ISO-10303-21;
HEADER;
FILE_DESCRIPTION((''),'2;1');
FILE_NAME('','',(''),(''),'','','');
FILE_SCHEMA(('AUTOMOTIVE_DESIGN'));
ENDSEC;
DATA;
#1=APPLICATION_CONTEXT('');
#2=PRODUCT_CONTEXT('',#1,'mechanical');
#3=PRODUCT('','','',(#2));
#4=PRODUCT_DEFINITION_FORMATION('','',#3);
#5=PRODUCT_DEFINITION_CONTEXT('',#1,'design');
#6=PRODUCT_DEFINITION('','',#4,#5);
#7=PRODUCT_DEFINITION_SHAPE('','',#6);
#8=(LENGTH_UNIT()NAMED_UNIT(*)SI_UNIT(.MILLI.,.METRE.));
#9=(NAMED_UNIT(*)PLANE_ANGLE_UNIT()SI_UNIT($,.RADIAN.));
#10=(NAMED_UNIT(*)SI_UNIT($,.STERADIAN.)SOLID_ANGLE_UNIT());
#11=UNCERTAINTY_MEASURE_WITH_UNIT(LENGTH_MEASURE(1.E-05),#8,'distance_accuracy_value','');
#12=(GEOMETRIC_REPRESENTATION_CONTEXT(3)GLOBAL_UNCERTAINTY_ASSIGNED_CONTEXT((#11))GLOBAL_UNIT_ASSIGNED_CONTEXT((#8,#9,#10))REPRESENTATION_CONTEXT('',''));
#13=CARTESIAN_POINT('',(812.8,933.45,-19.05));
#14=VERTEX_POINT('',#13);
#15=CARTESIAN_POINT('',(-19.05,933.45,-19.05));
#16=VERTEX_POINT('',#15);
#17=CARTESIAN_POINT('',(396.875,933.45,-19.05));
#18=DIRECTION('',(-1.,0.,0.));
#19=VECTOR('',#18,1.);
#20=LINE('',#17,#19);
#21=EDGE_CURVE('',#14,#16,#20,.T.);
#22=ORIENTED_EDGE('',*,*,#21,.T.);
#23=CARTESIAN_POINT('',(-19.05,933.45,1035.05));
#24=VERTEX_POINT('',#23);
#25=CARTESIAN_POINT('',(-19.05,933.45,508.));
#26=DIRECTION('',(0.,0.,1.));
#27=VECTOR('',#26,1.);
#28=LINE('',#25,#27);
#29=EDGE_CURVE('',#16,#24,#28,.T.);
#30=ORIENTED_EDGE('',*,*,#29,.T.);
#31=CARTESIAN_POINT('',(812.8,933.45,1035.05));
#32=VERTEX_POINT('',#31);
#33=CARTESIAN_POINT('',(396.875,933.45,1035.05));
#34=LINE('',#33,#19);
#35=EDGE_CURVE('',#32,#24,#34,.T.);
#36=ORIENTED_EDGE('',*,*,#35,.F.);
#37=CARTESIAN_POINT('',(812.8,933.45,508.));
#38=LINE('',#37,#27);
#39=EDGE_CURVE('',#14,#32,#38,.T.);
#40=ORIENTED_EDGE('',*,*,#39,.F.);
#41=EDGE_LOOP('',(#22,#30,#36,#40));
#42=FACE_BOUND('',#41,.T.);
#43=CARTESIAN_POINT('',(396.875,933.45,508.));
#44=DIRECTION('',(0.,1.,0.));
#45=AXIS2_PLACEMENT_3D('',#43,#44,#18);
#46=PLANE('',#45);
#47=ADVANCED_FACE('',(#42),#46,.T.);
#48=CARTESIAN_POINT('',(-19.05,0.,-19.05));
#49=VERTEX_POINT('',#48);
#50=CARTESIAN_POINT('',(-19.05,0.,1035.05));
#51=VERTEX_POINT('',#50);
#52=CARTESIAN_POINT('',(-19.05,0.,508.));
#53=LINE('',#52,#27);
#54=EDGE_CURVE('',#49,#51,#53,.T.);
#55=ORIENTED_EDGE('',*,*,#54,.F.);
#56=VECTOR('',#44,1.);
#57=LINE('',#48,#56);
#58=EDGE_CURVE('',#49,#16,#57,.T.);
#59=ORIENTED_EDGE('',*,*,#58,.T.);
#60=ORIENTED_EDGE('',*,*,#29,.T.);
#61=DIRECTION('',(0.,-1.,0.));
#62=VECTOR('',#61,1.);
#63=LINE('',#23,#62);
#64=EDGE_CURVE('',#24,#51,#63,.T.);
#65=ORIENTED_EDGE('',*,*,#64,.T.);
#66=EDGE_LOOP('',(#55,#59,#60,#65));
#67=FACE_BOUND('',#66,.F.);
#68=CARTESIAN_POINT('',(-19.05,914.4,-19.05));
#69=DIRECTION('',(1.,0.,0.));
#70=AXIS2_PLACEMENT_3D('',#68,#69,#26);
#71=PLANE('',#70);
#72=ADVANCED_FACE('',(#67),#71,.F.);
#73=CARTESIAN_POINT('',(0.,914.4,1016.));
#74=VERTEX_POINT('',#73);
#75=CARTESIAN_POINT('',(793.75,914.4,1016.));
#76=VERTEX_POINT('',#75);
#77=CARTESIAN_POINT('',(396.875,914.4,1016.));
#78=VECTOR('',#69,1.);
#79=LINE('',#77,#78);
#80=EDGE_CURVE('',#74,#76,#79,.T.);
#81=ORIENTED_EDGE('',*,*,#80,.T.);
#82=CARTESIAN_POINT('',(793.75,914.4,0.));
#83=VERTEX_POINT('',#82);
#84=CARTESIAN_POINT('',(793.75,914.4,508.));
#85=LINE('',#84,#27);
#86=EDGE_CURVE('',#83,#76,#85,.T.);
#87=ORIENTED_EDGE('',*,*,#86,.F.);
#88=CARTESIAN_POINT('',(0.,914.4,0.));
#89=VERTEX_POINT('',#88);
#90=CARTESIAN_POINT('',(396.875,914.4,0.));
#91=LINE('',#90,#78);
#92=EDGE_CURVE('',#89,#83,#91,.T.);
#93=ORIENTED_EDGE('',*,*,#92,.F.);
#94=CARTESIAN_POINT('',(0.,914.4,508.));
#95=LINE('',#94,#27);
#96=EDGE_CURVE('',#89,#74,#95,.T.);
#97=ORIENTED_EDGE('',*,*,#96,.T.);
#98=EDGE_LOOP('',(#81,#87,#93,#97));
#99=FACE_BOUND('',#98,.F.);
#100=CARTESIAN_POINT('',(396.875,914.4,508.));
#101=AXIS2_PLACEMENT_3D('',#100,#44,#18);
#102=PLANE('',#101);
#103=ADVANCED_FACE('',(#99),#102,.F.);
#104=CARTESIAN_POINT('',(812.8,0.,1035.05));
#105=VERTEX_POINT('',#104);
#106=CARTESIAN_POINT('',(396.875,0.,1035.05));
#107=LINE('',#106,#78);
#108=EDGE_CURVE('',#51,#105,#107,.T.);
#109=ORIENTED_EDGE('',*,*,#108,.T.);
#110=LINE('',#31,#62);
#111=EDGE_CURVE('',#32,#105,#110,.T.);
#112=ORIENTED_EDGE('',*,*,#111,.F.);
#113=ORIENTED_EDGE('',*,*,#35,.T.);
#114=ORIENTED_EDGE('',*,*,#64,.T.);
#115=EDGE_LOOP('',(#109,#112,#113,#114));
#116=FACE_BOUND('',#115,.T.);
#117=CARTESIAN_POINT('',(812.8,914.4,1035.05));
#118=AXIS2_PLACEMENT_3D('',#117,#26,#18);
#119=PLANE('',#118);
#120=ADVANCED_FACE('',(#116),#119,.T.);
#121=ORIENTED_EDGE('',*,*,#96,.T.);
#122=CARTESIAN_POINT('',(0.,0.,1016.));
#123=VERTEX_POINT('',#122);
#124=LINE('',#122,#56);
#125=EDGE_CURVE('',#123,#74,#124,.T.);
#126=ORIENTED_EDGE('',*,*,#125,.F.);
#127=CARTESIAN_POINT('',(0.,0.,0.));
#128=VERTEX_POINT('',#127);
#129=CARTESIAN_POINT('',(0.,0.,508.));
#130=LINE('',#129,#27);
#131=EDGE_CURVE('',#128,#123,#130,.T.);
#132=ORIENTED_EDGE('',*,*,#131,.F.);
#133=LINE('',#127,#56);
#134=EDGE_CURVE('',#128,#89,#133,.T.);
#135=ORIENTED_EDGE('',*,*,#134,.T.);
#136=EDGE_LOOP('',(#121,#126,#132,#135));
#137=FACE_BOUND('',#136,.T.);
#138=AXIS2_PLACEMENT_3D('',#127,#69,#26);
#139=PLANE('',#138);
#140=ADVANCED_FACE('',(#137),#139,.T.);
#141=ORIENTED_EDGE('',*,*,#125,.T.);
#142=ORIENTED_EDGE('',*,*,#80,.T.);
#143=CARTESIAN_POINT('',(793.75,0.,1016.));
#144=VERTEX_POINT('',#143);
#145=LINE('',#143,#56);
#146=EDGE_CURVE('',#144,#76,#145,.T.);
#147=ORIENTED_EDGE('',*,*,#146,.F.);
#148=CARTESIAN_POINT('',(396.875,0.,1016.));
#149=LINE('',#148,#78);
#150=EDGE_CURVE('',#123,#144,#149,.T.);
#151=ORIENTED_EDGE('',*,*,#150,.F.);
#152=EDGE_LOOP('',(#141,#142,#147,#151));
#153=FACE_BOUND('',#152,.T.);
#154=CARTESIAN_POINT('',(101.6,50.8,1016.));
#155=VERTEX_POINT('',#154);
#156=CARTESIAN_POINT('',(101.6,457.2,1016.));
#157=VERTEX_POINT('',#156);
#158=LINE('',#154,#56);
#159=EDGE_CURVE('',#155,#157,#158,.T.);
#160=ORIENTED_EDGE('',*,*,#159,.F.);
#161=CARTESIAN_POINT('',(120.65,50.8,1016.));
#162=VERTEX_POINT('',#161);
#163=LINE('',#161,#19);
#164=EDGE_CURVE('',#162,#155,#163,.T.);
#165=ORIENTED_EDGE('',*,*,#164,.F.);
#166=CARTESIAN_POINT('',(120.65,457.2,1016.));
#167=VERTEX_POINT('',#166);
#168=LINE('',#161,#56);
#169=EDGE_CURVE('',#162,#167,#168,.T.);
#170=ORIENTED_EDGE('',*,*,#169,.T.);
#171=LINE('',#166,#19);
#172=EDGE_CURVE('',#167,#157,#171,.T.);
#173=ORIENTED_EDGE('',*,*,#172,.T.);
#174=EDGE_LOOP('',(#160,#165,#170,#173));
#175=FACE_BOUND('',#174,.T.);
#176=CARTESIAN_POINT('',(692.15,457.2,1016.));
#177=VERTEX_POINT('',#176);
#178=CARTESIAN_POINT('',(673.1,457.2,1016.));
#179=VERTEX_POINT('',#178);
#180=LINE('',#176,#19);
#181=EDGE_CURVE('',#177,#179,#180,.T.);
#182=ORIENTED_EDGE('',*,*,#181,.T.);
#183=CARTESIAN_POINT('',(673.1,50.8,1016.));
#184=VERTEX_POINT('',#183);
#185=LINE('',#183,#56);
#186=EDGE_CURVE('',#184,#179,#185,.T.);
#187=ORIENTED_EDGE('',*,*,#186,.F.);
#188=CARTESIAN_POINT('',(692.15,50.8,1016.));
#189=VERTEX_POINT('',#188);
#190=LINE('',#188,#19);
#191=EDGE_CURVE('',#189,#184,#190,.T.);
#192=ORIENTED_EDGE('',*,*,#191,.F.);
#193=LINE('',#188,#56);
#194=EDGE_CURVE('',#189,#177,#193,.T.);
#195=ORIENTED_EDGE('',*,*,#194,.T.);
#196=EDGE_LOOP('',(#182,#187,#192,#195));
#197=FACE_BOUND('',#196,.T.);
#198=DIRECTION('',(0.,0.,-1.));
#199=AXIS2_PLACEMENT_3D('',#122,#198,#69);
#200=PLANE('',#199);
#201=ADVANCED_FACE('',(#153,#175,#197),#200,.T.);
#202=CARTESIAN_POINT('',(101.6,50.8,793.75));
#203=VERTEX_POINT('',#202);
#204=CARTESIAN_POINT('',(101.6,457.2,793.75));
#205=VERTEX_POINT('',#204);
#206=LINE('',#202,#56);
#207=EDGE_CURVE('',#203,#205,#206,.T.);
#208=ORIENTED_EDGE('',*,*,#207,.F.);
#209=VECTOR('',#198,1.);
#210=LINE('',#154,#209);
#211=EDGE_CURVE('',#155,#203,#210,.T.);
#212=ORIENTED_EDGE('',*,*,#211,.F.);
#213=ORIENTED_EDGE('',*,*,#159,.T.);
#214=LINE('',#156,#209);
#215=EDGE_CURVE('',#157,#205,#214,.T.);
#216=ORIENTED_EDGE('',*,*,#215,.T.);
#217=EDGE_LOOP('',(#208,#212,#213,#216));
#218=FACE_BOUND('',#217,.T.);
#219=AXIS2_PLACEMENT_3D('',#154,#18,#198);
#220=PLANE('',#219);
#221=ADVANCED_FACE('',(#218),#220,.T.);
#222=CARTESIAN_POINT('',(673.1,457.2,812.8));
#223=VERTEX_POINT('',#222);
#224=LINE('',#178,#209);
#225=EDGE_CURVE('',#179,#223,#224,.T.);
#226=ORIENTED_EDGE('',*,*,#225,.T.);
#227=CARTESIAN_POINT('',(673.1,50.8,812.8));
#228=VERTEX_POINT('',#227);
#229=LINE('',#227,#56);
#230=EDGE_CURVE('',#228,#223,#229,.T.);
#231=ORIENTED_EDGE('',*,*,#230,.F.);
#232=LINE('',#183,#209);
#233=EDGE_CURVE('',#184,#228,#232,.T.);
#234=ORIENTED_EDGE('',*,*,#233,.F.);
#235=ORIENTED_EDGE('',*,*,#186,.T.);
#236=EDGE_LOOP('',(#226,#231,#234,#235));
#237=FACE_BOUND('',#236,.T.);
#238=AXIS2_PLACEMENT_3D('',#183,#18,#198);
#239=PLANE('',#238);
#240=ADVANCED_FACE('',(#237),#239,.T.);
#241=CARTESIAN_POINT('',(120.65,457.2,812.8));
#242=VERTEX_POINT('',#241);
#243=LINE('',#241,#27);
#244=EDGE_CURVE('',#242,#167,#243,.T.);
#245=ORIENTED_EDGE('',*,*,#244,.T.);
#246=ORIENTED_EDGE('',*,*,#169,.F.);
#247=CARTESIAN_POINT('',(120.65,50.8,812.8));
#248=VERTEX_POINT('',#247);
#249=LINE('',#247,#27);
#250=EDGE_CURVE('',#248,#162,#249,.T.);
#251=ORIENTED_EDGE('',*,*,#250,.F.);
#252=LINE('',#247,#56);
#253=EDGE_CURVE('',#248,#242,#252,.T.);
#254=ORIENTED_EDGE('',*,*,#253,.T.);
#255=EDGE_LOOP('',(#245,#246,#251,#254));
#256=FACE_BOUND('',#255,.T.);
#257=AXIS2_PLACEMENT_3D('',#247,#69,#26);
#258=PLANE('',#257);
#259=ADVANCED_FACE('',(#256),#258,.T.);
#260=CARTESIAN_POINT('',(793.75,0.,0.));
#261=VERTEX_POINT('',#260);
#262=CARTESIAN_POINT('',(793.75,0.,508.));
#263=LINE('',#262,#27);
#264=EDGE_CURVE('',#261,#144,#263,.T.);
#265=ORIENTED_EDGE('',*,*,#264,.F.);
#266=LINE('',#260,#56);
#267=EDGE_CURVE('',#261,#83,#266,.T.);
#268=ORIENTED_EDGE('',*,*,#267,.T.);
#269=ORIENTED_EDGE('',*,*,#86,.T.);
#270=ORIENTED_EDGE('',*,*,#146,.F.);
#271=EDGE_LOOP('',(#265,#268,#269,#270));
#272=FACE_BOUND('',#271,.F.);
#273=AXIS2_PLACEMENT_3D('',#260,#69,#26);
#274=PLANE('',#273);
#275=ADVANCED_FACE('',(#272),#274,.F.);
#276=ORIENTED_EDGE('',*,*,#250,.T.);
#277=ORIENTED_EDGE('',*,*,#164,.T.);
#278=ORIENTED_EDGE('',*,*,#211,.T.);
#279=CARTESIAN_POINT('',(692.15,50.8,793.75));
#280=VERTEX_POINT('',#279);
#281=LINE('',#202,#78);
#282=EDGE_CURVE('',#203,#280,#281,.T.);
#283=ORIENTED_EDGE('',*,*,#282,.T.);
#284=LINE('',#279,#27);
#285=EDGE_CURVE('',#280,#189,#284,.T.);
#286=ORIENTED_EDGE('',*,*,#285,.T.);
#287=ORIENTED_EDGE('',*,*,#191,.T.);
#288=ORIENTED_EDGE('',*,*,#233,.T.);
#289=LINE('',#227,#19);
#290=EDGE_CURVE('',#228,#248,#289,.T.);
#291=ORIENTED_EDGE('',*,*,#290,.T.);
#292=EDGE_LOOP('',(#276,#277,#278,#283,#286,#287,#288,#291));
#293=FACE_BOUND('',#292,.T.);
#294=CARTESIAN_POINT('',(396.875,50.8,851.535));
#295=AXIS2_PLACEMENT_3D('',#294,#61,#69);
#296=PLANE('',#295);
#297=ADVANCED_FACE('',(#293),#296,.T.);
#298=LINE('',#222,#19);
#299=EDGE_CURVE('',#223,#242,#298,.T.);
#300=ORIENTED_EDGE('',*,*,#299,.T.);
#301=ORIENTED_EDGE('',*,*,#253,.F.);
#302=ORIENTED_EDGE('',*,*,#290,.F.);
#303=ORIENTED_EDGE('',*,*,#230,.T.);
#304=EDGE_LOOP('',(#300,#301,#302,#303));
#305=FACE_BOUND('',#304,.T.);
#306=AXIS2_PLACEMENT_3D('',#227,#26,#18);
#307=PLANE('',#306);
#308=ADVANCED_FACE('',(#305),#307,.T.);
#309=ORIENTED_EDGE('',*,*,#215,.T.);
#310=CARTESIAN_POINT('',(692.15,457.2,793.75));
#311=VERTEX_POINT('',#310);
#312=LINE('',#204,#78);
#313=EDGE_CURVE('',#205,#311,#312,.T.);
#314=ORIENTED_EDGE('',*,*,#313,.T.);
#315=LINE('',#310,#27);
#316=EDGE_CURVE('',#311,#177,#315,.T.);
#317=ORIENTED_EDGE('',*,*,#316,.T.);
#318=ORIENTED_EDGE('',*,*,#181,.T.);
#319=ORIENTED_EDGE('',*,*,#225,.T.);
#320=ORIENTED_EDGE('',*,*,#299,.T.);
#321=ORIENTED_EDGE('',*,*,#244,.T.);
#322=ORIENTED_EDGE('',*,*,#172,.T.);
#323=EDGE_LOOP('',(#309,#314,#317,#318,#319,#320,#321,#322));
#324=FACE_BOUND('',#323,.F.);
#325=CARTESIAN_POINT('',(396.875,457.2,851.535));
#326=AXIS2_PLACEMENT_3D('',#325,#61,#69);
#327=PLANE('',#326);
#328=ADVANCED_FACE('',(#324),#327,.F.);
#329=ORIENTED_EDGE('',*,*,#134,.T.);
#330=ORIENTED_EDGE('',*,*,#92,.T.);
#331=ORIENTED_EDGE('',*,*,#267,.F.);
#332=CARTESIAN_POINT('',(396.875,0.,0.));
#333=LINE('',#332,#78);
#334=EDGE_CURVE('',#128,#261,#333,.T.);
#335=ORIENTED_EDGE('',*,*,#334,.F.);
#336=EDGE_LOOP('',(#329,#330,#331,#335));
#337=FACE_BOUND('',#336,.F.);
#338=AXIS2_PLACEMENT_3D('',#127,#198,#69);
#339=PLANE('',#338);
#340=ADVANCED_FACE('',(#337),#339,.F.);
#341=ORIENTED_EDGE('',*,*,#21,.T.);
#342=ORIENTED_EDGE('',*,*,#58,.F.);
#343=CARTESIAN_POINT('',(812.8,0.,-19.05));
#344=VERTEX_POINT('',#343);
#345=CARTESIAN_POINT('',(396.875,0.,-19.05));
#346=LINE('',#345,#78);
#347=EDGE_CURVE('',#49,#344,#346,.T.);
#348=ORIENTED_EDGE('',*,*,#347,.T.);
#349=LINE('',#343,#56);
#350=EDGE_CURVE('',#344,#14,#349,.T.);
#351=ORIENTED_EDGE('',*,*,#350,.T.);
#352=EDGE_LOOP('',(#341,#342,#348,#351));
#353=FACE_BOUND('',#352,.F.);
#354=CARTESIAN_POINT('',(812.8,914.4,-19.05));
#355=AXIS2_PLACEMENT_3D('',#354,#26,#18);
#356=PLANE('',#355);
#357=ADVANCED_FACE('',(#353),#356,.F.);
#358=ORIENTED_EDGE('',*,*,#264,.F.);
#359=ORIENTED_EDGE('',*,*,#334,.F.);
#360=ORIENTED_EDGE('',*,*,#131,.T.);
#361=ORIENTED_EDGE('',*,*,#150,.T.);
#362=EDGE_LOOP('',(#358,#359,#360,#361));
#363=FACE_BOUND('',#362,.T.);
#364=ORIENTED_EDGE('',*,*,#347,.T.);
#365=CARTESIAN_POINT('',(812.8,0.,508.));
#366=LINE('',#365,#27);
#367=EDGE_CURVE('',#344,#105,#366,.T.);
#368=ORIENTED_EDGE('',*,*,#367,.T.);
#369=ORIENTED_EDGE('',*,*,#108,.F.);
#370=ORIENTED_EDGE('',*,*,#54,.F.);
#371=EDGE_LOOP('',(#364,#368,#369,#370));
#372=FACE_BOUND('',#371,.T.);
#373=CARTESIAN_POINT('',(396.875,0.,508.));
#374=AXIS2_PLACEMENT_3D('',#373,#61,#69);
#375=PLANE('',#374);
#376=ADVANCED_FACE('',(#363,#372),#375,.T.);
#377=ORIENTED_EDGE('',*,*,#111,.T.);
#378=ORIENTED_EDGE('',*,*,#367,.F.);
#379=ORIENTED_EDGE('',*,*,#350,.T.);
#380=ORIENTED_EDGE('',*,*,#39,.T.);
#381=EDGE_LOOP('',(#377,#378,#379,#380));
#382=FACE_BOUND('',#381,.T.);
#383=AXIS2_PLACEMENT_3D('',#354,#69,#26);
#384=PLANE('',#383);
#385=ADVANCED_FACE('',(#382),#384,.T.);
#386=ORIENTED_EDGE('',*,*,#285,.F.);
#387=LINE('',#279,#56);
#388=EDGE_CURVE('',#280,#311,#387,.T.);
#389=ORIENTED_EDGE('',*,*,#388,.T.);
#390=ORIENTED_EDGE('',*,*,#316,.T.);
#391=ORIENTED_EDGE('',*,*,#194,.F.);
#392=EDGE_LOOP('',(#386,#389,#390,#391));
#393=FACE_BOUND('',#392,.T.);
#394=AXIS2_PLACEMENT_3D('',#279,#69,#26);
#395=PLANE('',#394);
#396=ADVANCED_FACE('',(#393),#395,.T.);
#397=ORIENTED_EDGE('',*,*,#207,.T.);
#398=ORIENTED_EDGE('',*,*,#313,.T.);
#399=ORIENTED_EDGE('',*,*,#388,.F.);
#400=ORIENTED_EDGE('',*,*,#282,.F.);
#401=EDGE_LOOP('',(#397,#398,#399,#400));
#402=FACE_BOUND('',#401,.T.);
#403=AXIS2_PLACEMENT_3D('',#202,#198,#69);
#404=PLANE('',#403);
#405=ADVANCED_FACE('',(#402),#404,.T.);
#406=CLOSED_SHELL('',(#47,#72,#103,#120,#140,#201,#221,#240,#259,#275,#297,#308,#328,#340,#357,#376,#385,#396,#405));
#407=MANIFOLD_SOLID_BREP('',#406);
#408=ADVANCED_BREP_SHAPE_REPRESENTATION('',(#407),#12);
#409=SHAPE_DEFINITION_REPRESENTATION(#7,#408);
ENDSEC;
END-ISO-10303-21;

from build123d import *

# Parameters (mm, degrees)
F0_W     = 831.85
F0_H     = 1054.1
F0_W_2   = 793.75
F0_H_2   = 1016
F1_DEPTH = 914.4
F2_W     = 831.85
F2_H     = 1054.1
F3_DEPTH = 19.05
F6_DEPTH = 406.4


with BuildPart() as f1:
    # F0 (on Front) → F1 (new body)
    with BuildSketch(Plane.XZ):
        with Locations((396.875, 508)):
            Rectangle(F0_W, F0_H)
        with Locations((396.875, 508)):
            Rectangle(F0_W_2, F0_H_2, mode=Mode.SUBTRACT)
    extrude(amount=-F1_DEPTH)

    # F2 (on face) → F3 (join)
    with BuildSketch(Plane(origin=(0, 914.4, 0), x_dir=(-1, 0, 0), z_dir=(0, 1, 0))):
        with Locations((-396.875, 508)):
            Rectangle(F2_W, F2_H)
    extrude(amount=F3_DEPTH)

    # F5 (on offset) → F6 (join)
    with BuildSketch(Plane.XZ.offset(-50.8)):
        Polygon((120.65, 1016), (101.6, 1016), (101.6, 793.75), (692.15, 793.75), (692.15, 1016), (673.1, 1016), (673.1, 812.8), (120.65, 812.8), align=None)
    extrude(amount=-F6_DEPTH)


solid = f1.part
